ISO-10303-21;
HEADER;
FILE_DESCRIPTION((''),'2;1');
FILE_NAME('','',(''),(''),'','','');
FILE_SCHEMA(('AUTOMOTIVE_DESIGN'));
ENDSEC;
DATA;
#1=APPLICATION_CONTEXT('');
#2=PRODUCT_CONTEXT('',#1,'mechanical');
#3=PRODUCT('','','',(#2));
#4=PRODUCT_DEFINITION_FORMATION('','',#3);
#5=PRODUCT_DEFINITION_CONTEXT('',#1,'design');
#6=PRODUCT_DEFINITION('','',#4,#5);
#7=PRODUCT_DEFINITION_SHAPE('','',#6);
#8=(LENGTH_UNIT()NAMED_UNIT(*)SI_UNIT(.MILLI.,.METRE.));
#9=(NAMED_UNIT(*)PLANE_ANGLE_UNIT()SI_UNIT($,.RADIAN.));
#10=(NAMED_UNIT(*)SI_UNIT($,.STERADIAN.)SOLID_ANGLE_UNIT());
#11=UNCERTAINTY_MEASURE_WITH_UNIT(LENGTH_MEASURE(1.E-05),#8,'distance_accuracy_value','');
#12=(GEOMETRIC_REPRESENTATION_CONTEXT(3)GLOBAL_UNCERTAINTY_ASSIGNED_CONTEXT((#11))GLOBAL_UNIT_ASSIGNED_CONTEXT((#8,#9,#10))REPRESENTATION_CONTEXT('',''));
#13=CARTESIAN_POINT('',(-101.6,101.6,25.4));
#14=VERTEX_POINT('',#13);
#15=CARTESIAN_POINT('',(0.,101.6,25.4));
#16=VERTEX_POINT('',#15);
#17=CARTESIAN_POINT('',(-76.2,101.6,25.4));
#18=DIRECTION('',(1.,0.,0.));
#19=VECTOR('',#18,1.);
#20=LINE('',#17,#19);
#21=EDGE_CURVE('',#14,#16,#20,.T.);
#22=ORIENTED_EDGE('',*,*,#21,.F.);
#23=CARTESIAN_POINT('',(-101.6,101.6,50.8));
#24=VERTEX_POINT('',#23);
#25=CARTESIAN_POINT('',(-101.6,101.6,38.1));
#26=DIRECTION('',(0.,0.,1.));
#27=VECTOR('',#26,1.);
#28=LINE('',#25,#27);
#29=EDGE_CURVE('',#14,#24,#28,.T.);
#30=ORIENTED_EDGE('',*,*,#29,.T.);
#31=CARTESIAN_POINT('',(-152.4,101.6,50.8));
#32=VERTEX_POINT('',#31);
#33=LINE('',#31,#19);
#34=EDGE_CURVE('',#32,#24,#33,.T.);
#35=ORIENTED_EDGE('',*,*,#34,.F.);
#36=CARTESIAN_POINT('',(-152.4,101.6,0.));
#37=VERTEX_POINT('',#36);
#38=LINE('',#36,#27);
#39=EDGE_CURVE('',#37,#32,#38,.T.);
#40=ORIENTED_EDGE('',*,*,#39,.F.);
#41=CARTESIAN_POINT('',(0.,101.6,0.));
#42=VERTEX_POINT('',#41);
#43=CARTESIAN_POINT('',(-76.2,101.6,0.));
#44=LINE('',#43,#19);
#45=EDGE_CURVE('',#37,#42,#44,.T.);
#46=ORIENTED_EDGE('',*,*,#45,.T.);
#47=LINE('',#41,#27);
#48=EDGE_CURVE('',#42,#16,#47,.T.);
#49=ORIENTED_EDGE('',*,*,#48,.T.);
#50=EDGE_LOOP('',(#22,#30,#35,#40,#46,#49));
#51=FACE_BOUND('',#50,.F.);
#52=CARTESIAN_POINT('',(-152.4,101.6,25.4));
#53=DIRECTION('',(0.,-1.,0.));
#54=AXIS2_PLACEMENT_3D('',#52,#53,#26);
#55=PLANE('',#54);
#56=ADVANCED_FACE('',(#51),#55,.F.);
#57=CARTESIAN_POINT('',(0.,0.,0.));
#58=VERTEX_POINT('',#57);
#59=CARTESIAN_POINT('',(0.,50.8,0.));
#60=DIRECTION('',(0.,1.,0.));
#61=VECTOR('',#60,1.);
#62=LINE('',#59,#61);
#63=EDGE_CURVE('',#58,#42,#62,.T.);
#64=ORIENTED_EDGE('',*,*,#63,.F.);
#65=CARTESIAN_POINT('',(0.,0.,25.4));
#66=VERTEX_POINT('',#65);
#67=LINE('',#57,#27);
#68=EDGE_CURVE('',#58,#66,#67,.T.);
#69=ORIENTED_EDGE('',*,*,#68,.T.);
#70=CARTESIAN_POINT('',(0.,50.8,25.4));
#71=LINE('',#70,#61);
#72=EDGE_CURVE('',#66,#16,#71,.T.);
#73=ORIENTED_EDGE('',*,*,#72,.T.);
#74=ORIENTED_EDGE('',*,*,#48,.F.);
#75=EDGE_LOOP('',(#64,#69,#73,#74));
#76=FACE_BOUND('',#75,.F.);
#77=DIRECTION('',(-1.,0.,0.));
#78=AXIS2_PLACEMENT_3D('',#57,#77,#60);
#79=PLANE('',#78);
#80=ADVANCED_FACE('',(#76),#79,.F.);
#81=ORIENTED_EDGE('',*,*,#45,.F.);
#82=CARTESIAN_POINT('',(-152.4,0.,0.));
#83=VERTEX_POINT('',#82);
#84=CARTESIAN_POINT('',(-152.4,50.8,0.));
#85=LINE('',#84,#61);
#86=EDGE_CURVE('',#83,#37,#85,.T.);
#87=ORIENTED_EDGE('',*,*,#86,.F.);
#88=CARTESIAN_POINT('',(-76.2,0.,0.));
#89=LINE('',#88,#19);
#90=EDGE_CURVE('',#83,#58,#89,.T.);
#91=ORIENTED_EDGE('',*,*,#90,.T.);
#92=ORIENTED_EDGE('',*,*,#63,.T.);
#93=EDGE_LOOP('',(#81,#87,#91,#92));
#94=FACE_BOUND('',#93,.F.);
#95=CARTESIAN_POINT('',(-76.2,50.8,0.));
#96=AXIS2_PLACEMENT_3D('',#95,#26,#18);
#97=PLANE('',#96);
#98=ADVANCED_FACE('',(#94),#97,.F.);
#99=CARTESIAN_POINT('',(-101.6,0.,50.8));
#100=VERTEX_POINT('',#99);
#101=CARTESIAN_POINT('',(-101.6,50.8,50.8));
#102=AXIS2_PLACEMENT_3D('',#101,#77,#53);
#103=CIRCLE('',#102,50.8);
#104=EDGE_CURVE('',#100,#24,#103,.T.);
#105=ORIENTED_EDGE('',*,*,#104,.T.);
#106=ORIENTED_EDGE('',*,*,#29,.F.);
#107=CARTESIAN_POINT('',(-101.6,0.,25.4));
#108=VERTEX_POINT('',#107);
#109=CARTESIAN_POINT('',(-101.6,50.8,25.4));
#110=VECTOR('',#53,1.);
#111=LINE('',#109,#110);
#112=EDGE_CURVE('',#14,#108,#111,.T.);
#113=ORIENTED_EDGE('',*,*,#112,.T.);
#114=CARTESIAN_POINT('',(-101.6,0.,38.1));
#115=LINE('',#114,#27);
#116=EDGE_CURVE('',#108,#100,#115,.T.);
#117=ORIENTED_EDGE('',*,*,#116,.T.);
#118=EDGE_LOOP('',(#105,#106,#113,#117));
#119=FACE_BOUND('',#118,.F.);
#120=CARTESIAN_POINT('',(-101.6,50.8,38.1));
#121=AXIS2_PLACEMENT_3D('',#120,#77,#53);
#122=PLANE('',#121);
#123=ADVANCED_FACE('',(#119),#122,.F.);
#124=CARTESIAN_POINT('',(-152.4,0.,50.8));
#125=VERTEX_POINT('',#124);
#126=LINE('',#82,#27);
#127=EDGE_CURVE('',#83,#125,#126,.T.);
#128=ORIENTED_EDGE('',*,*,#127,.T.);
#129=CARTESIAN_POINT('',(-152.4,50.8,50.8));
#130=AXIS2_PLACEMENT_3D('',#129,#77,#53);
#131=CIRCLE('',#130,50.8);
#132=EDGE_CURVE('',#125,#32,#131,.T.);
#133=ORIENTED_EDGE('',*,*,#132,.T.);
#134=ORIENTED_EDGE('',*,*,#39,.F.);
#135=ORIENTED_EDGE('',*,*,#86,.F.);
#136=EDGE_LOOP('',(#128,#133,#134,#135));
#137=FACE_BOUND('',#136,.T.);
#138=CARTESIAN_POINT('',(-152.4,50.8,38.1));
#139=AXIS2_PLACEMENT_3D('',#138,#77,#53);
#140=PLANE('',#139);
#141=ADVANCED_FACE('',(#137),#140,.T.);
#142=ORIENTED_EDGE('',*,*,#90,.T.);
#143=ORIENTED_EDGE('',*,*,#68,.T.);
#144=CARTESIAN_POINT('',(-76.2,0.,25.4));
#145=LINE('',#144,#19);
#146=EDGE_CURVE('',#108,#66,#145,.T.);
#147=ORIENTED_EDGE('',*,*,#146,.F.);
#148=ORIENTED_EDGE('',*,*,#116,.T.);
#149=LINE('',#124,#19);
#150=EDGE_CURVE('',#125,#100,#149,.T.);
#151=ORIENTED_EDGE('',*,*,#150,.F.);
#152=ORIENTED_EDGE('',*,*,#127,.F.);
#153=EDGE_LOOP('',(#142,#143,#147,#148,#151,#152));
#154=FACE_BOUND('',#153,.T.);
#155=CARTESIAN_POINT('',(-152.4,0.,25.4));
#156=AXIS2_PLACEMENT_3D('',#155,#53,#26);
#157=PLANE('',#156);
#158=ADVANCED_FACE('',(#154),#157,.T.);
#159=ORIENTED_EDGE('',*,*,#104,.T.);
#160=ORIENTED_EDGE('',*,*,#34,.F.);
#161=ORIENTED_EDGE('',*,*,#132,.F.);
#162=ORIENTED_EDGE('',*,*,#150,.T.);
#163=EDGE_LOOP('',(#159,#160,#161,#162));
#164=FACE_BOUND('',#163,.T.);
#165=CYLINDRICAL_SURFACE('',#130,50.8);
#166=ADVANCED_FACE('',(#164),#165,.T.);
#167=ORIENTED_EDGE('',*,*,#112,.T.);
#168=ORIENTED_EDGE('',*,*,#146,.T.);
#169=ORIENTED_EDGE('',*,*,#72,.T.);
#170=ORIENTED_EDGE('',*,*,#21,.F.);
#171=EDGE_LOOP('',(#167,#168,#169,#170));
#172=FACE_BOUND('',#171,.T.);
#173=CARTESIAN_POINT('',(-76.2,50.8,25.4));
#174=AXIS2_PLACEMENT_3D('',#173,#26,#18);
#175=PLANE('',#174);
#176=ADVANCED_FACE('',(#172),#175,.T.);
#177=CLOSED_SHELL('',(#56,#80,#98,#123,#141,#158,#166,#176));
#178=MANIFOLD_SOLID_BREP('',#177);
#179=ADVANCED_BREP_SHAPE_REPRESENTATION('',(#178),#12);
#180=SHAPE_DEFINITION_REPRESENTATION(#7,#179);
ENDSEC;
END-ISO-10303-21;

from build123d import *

# Parameters (mm, degrees)
F0_W     = 152.4
F0_H     = 101.6
F1_DEPTH = 25.4
F2_W     = 101.6
F2_H     = 25.4
F3_DEPTH = 50.8


with BuildPart() as f1:
    # F0 (on Top) → F1 (new body)
    with BuildSketch(Plane.XY):
        with Locations((-76.2, 50.8)):
            Rectangle(F0_W, F0_H)
    extrude(amount=F1_DEPTH)

    # F2 (on face) → F3 (join)
    with BuildSketch(Plane(origin=(-152.4, 0, 0), x_dir=(0, -1, 0), z_dir=(-1, 0, 0))):
        with Locations((-50.8, 38.1)):
            Rectangle(F2_W, F2_H)
        with BuildLine():
            ThreePointArc((0, 50.8), (-50.8, 101.6), (-101.6, 50.8))
            Line((-101.6, 50.8), (0, 50.8))
        make_face()
    extrude(amount=-F3_DEPTH)


solid = f1.part
